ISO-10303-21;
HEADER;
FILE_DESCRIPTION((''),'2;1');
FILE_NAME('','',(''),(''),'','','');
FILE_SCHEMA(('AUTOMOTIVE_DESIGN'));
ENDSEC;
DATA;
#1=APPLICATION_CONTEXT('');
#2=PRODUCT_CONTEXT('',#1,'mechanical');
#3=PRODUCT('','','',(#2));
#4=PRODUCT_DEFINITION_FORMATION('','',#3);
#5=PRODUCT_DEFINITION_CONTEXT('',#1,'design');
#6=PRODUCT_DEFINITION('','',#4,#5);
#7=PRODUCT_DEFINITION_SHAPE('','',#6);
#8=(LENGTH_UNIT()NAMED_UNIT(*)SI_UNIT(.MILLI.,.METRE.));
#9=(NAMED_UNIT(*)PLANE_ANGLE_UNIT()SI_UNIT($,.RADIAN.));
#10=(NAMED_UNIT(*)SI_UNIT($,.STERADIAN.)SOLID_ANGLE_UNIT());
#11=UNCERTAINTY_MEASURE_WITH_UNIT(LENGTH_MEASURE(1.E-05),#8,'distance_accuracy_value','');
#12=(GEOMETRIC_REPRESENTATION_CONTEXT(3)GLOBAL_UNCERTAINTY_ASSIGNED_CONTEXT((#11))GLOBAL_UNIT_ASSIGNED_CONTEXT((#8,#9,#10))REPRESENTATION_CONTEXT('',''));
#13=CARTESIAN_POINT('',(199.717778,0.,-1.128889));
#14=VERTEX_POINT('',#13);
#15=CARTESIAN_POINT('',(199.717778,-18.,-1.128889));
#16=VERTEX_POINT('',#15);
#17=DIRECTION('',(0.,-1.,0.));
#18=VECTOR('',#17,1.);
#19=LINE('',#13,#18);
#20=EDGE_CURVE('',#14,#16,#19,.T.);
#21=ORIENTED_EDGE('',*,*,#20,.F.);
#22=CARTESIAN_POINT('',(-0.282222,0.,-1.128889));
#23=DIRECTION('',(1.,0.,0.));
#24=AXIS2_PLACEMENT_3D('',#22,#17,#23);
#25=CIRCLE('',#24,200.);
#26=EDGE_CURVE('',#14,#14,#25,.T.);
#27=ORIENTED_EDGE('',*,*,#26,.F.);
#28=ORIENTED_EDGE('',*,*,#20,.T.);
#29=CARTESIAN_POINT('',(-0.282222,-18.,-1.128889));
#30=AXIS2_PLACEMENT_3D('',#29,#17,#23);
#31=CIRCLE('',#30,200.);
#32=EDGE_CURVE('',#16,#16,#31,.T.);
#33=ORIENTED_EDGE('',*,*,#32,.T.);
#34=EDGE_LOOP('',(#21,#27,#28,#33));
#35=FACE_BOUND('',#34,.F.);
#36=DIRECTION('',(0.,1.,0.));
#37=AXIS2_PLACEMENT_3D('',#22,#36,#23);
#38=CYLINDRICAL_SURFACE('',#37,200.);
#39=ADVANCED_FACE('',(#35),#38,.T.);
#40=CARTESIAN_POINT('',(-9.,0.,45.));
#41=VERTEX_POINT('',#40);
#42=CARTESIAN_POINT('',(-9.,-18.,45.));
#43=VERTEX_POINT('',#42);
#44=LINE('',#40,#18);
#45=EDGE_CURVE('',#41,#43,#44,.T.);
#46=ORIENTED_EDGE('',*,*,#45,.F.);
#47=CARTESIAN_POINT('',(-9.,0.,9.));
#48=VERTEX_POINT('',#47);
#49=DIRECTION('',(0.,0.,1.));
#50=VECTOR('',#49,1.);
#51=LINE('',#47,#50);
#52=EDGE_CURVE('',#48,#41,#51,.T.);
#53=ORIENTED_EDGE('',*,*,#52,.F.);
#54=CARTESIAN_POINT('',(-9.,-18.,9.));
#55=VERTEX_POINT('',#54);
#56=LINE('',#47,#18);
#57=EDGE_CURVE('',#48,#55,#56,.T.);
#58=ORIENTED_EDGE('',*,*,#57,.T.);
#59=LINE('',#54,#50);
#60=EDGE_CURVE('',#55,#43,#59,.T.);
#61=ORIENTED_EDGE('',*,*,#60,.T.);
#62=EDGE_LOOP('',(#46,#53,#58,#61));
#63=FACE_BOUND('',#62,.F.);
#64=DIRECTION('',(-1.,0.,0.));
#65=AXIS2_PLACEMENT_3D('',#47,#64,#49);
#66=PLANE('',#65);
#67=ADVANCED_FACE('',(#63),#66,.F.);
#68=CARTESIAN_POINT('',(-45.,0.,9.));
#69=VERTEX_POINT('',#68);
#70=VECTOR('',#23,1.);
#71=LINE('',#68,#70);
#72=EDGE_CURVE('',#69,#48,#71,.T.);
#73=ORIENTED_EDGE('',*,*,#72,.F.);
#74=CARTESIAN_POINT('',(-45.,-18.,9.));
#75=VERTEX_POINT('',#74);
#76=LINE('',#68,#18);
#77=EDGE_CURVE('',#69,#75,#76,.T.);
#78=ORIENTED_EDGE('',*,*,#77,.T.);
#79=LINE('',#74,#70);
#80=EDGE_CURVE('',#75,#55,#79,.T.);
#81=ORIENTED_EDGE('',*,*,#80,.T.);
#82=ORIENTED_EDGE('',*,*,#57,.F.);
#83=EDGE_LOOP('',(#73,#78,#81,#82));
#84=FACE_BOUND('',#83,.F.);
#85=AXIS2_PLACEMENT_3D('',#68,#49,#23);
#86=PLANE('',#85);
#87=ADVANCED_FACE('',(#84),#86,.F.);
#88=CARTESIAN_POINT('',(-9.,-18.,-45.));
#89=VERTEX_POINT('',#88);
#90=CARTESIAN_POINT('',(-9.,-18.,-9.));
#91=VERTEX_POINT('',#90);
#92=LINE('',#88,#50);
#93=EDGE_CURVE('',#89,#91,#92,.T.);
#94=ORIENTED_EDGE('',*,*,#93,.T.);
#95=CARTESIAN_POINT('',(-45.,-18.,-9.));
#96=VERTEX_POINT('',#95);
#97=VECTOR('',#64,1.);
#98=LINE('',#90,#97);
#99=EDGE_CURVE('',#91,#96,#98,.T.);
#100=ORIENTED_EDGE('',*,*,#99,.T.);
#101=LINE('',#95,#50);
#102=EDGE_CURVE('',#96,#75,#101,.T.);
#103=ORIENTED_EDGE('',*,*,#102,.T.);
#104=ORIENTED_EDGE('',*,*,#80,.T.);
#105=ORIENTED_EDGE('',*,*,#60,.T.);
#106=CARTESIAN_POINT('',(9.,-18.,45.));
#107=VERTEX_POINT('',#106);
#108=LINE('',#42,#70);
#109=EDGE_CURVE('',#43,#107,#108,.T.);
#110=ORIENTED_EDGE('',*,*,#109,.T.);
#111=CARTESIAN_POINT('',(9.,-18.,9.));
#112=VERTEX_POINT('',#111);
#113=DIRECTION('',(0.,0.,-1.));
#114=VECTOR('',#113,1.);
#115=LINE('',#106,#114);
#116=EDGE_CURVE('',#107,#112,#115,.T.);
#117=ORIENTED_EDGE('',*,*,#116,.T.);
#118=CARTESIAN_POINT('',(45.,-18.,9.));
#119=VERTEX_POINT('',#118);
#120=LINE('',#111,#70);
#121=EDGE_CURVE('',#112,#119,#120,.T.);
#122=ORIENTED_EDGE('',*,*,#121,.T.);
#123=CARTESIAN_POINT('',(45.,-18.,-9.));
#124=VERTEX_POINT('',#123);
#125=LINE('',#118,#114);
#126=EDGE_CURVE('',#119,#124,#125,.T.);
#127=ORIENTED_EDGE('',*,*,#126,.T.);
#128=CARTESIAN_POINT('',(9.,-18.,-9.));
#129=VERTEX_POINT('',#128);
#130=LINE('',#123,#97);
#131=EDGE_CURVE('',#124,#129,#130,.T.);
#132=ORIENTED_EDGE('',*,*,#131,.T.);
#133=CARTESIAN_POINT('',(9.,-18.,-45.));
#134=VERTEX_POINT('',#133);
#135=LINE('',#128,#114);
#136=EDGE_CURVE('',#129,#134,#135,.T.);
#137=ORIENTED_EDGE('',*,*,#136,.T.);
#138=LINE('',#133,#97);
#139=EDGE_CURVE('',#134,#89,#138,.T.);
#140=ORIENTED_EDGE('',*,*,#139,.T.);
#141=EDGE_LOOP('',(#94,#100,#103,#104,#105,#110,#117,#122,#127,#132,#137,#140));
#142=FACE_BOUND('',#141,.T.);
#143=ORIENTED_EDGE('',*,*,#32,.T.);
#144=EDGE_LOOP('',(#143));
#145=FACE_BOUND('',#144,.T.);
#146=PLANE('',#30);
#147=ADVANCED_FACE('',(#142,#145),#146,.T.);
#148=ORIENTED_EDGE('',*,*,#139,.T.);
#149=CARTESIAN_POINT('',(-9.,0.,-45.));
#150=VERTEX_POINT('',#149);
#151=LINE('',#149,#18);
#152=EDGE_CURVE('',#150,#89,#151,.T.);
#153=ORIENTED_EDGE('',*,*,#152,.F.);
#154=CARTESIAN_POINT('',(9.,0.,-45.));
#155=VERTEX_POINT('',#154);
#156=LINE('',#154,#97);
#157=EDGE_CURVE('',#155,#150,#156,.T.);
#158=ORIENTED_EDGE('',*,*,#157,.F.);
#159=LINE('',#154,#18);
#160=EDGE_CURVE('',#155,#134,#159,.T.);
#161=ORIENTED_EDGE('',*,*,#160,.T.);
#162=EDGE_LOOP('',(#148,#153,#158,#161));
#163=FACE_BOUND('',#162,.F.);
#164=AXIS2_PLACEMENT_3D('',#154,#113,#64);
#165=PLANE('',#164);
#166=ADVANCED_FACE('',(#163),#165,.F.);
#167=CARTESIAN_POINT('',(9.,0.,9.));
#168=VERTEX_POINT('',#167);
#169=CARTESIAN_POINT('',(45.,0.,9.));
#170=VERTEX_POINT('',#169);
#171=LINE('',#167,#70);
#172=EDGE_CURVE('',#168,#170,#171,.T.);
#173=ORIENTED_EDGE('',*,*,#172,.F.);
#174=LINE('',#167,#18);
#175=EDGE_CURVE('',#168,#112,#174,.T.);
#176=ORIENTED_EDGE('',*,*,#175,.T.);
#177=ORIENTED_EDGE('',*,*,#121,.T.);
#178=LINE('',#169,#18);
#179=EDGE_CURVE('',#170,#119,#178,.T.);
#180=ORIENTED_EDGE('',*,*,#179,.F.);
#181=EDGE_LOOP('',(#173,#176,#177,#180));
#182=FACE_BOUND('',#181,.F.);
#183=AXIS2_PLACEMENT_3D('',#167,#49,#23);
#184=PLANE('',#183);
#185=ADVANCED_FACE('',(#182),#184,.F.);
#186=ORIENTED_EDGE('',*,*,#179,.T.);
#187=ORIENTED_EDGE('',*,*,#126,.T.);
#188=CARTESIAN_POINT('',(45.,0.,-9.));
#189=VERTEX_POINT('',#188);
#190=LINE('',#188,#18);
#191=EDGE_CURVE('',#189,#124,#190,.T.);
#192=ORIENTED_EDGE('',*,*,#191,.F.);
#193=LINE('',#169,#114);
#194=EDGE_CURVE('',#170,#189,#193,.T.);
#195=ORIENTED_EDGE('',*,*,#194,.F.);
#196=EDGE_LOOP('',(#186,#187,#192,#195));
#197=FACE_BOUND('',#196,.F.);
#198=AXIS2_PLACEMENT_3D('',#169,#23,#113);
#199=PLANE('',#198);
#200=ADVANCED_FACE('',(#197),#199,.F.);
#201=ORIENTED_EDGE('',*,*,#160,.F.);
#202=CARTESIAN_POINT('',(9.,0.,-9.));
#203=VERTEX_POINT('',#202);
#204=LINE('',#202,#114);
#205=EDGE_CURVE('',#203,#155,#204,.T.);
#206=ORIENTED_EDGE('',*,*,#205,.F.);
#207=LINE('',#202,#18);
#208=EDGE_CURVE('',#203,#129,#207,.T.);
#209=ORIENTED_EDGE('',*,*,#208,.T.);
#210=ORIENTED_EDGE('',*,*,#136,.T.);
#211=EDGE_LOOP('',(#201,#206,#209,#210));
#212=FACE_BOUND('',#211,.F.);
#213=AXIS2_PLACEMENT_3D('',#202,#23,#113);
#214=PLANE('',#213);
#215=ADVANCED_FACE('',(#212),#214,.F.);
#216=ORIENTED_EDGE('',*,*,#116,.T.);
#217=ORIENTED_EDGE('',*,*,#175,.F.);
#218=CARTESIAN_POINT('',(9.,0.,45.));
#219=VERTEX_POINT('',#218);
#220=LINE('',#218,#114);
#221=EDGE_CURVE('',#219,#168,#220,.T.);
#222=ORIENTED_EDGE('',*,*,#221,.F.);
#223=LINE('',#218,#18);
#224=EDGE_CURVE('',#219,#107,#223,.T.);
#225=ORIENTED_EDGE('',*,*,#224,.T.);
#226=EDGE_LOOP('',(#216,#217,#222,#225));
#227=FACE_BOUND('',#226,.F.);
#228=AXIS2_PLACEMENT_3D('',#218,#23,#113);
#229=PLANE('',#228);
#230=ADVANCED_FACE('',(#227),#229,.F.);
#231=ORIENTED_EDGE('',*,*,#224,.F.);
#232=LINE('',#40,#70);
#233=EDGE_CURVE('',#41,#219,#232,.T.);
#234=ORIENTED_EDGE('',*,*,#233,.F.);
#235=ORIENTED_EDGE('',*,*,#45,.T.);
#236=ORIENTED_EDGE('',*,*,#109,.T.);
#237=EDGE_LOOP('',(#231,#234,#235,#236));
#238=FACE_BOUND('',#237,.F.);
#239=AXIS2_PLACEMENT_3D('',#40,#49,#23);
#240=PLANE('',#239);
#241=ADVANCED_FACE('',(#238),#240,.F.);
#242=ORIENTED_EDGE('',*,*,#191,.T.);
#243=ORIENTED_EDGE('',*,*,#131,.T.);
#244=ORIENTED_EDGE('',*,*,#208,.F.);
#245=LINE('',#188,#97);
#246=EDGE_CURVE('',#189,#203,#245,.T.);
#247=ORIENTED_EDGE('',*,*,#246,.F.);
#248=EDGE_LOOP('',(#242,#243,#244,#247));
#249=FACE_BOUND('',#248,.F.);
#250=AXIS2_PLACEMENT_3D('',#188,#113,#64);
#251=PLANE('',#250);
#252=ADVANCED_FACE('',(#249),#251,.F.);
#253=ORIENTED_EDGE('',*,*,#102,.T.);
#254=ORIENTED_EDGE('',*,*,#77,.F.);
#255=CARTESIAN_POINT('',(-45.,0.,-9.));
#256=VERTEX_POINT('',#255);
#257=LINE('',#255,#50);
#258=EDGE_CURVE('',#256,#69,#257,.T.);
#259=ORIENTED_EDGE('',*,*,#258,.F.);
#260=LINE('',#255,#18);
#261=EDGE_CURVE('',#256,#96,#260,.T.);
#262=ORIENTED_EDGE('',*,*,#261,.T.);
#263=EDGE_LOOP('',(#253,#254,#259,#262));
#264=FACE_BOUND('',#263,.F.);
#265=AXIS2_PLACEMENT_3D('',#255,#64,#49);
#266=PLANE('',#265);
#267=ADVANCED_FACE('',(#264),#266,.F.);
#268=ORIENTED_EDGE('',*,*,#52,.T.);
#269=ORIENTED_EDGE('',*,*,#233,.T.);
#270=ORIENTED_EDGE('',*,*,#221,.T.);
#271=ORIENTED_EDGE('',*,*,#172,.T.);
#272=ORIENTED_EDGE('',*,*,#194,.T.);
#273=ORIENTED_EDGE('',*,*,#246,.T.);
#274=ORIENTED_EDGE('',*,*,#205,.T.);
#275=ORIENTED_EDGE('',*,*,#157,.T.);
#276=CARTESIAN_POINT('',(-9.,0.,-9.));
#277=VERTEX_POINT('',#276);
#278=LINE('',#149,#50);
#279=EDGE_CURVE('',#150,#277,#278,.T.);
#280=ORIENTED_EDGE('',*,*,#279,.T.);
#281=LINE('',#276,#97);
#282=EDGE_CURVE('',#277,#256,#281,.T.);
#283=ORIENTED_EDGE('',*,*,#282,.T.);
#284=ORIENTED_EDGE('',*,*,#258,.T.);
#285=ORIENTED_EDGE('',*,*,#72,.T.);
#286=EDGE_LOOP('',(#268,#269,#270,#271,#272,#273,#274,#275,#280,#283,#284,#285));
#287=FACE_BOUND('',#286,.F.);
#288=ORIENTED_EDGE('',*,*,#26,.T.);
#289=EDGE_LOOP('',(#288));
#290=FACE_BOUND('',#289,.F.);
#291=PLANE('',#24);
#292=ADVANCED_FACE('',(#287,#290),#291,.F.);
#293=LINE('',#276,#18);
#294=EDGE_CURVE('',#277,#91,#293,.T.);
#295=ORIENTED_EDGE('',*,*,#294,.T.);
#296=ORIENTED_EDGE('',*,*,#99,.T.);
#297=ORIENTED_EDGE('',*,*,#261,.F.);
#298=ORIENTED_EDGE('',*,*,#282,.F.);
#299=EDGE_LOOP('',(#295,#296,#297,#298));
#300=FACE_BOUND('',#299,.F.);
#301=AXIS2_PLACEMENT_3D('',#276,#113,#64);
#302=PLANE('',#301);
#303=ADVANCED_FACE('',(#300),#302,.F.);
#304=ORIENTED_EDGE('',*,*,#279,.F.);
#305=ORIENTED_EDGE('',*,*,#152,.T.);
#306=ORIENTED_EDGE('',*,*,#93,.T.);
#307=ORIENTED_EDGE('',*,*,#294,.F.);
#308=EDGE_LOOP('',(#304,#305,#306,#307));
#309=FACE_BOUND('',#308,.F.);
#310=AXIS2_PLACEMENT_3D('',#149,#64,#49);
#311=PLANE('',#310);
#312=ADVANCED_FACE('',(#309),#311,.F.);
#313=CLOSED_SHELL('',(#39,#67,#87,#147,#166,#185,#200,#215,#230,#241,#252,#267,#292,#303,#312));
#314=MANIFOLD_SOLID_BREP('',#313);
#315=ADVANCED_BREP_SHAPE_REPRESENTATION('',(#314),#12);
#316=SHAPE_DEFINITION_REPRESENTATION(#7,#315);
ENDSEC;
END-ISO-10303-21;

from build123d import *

# Parameters (mm, degrees)
F0_R     = 200
F1_DEPTH = 18


with BuildPart() as f1:
    # F0 (on Front) → F1 (new body)
    with BuildSketch(Plane.XZ):
        with Locations((-0.282222, -1.128889)):
            Circle(F0_R)
        Polygon((9, -9), (9, -45), (-9, -45), (-9, -9), (-45, -9), (-45, 9), (-9, 9), (-9, 45), (9, 45), (9, 9), (45, 9), (45, -9), align=None, mode=Mode.SUBTRACT)
    extrude(amount=F1_DEPTH)


solid = f1.part
